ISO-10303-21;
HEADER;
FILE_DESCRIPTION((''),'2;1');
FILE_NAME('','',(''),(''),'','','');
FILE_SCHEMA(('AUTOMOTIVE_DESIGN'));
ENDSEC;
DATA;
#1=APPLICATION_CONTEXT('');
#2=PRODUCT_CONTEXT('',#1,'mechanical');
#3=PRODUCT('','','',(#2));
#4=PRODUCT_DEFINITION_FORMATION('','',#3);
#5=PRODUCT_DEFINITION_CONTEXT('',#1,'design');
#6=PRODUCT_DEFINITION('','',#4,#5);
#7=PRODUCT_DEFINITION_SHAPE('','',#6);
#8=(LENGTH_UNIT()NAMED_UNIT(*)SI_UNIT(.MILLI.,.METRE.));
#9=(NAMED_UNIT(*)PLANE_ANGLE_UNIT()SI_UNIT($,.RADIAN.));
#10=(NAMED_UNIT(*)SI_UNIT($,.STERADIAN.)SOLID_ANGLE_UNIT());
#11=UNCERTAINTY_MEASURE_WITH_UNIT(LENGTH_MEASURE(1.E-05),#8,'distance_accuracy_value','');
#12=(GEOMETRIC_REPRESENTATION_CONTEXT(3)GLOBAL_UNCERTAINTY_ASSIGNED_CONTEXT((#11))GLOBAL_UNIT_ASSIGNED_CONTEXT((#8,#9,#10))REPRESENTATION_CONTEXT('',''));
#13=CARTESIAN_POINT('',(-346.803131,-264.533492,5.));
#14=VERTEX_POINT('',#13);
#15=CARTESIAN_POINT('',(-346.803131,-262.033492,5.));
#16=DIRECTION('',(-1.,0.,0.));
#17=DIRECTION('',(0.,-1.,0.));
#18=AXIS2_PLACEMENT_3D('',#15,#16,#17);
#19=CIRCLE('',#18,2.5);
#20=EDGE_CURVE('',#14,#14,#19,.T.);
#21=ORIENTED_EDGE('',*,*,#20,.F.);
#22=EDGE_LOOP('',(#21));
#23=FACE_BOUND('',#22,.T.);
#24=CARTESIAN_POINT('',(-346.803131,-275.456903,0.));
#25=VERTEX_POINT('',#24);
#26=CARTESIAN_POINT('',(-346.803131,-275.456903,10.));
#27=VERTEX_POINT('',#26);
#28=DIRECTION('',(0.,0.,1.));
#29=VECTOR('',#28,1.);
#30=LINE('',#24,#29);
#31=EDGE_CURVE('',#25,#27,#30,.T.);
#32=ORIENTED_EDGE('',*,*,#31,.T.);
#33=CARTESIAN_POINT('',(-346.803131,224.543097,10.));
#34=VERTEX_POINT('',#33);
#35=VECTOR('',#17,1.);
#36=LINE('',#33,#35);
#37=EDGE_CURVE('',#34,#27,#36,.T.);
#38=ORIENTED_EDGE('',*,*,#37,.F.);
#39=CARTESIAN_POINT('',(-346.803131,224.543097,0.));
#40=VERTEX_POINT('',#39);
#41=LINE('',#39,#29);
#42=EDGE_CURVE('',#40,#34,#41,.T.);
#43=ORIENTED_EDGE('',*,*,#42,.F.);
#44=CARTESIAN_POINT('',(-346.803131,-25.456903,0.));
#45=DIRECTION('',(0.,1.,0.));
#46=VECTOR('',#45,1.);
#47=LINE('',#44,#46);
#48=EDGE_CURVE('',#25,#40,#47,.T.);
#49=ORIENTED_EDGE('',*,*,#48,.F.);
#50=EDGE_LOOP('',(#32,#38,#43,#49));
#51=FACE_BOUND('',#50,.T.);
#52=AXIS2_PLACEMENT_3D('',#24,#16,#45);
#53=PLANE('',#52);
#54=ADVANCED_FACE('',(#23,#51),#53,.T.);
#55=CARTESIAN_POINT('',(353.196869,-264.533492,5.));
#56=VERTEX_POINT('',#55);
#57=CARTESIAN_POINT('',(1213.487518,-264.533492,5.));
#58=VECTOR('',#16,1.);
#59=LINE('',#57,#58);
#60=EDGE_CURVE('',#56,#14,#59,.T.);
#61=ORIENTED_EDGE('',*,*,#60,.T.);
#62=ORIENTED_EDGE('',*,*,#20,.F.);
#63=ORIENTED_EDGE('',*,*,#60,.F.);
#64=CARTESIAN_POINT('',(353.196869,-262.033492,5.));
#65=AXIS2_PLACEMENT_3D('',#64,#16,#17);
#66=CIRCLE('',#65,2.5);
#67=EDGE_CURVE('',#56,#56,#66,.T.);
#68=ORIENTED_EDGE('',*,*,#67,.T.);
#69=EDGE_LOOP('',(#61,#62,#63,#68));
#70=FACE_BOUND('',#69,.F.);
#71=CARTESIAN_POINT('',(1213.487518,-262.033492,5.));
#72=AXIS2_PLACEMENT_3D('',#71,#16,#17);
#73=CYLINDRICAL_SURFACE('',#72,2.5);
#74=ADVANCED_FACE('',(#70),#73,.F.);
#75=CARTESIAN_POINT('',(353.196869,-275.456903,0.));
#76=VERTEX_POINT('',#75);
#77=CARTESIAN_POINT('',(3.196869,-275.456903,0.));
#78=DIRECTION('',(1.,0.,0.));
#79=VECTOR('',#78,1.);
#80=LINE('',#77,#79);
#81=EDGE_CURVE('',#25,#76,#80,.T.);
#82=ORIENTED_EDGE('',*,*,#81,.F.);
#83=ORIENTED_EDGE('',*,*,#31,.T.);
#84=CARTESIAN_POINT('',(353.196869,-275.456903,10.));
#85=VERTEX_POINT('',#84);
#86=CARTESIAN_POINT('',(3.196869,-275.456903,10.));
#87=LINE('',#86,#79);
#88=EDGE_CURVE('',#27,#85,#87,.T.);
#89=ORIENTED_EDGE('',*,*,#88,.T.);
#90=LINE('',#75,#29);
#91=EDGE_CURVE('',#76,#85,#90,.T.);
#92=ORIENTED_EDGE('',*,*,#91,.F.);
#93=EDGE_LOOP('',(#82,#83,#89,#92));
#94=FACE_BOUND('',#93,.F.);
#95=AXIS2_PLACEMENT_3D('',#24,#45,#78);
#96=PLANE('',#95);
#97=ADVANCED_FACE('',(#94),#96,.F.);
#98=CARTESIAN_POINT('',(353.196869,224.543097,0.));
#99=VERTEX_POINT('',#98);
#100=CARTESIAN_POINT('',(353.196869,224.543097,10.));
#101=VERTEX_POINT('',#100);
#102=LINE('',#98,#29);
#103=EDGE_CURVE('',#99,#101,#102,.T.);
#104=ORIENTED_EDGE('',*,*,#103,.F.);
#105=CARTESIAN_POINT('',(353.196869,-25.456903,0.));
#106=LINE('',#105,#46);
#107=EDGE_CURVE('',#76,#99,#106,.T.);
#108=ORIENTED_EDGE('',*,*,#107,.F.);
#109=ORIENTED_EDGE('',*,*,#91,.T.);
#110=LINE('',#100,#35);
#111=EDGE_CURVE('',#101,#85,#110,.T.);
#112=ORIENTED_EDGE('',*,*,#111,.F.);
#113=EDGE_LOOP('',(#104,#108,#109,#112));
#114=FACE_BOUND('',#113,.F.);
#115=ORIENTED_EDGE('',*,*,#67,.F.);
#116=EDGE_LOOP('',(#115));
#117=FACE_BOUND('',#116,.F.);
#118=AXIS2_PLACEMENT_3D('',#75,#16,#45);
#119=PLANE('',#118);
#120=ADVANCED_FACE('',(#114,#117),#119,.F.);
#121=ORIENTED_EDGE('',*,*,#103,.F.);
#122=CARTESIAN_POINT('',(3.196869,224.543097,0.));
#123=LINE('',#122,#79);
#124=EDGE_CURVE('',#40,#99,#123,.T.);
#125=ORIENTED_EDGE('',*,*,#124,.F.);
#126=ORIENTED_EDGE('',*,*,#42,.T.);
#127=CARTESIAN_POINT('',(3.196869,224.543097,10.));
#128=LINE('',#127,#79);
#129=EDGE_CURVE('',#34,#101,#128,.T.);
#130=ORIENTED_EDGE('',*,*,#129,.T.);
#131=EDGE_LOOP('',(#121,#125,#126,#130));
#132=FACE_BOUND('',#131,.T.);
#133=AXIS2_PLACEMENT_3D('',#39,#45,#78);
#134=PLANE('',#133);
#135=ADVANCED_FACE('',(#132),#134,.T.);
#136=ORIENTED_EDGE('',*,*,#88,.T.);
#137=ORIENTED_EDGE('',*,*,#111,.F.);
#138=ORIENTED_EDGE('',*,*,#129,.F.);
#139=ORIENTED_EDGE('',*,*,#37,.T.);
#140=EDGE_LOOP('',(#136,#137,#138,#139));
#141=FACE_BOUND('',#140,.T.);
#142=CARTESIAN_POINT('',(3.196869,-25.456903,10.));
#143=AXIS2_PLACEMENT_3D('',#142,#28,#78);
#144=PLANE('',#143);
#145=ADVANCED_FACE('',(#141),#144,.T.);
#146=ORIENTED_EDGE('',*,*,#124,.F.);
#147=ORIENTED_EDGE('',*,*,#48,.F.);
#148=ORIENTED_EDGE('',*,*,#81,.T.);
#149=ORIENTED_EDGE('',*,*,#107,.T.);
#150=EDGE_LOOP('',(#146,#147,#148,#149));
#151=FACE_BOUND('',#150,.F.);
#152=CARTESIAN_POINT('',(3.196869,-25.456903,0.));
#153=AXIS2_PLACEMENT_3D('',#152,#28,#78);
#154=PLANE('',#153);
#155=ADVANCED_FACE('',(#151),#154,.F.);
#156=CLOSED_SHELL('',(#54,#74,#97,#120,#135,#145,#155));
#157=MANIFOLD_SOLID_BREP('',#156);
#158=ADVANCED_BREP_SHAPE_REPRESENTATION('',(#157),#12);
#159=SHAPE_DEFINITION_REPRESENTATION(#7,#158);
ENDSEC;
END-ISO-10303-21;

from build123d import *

# Parameters (mm, degrees)
F0_W     = 700
F0_H     = 500
F1_DEPTH = 10
F2_R     = 4.150796
F3_DEPTH = 700
F5_D     = 5


with BuildPart() as f1:
    # F0 (on Top) → F1 (new body)
    with BuildSketch(Plane.XY):
        with Locations((3.196869, -25.456903)):
            Rectangle(F0_W, F0_H)
    extrude(amount=F1_DEPTH)

    # F2 (on face) → F3 (join)
    with BuildSketch(Plane.YZ.offset(353.196869)):
        with Locations((-266.181707, 5.849204)):
            Circle(F2_R)
    extrude(amount=-F3_DEPTH)

    # F5 (through all)
    with Locations(Plane.YZ.offset(353.196869)):
        with Locations((-262.033492, 5)):
            Hole(F5_D / 2)


solid = f1.part
